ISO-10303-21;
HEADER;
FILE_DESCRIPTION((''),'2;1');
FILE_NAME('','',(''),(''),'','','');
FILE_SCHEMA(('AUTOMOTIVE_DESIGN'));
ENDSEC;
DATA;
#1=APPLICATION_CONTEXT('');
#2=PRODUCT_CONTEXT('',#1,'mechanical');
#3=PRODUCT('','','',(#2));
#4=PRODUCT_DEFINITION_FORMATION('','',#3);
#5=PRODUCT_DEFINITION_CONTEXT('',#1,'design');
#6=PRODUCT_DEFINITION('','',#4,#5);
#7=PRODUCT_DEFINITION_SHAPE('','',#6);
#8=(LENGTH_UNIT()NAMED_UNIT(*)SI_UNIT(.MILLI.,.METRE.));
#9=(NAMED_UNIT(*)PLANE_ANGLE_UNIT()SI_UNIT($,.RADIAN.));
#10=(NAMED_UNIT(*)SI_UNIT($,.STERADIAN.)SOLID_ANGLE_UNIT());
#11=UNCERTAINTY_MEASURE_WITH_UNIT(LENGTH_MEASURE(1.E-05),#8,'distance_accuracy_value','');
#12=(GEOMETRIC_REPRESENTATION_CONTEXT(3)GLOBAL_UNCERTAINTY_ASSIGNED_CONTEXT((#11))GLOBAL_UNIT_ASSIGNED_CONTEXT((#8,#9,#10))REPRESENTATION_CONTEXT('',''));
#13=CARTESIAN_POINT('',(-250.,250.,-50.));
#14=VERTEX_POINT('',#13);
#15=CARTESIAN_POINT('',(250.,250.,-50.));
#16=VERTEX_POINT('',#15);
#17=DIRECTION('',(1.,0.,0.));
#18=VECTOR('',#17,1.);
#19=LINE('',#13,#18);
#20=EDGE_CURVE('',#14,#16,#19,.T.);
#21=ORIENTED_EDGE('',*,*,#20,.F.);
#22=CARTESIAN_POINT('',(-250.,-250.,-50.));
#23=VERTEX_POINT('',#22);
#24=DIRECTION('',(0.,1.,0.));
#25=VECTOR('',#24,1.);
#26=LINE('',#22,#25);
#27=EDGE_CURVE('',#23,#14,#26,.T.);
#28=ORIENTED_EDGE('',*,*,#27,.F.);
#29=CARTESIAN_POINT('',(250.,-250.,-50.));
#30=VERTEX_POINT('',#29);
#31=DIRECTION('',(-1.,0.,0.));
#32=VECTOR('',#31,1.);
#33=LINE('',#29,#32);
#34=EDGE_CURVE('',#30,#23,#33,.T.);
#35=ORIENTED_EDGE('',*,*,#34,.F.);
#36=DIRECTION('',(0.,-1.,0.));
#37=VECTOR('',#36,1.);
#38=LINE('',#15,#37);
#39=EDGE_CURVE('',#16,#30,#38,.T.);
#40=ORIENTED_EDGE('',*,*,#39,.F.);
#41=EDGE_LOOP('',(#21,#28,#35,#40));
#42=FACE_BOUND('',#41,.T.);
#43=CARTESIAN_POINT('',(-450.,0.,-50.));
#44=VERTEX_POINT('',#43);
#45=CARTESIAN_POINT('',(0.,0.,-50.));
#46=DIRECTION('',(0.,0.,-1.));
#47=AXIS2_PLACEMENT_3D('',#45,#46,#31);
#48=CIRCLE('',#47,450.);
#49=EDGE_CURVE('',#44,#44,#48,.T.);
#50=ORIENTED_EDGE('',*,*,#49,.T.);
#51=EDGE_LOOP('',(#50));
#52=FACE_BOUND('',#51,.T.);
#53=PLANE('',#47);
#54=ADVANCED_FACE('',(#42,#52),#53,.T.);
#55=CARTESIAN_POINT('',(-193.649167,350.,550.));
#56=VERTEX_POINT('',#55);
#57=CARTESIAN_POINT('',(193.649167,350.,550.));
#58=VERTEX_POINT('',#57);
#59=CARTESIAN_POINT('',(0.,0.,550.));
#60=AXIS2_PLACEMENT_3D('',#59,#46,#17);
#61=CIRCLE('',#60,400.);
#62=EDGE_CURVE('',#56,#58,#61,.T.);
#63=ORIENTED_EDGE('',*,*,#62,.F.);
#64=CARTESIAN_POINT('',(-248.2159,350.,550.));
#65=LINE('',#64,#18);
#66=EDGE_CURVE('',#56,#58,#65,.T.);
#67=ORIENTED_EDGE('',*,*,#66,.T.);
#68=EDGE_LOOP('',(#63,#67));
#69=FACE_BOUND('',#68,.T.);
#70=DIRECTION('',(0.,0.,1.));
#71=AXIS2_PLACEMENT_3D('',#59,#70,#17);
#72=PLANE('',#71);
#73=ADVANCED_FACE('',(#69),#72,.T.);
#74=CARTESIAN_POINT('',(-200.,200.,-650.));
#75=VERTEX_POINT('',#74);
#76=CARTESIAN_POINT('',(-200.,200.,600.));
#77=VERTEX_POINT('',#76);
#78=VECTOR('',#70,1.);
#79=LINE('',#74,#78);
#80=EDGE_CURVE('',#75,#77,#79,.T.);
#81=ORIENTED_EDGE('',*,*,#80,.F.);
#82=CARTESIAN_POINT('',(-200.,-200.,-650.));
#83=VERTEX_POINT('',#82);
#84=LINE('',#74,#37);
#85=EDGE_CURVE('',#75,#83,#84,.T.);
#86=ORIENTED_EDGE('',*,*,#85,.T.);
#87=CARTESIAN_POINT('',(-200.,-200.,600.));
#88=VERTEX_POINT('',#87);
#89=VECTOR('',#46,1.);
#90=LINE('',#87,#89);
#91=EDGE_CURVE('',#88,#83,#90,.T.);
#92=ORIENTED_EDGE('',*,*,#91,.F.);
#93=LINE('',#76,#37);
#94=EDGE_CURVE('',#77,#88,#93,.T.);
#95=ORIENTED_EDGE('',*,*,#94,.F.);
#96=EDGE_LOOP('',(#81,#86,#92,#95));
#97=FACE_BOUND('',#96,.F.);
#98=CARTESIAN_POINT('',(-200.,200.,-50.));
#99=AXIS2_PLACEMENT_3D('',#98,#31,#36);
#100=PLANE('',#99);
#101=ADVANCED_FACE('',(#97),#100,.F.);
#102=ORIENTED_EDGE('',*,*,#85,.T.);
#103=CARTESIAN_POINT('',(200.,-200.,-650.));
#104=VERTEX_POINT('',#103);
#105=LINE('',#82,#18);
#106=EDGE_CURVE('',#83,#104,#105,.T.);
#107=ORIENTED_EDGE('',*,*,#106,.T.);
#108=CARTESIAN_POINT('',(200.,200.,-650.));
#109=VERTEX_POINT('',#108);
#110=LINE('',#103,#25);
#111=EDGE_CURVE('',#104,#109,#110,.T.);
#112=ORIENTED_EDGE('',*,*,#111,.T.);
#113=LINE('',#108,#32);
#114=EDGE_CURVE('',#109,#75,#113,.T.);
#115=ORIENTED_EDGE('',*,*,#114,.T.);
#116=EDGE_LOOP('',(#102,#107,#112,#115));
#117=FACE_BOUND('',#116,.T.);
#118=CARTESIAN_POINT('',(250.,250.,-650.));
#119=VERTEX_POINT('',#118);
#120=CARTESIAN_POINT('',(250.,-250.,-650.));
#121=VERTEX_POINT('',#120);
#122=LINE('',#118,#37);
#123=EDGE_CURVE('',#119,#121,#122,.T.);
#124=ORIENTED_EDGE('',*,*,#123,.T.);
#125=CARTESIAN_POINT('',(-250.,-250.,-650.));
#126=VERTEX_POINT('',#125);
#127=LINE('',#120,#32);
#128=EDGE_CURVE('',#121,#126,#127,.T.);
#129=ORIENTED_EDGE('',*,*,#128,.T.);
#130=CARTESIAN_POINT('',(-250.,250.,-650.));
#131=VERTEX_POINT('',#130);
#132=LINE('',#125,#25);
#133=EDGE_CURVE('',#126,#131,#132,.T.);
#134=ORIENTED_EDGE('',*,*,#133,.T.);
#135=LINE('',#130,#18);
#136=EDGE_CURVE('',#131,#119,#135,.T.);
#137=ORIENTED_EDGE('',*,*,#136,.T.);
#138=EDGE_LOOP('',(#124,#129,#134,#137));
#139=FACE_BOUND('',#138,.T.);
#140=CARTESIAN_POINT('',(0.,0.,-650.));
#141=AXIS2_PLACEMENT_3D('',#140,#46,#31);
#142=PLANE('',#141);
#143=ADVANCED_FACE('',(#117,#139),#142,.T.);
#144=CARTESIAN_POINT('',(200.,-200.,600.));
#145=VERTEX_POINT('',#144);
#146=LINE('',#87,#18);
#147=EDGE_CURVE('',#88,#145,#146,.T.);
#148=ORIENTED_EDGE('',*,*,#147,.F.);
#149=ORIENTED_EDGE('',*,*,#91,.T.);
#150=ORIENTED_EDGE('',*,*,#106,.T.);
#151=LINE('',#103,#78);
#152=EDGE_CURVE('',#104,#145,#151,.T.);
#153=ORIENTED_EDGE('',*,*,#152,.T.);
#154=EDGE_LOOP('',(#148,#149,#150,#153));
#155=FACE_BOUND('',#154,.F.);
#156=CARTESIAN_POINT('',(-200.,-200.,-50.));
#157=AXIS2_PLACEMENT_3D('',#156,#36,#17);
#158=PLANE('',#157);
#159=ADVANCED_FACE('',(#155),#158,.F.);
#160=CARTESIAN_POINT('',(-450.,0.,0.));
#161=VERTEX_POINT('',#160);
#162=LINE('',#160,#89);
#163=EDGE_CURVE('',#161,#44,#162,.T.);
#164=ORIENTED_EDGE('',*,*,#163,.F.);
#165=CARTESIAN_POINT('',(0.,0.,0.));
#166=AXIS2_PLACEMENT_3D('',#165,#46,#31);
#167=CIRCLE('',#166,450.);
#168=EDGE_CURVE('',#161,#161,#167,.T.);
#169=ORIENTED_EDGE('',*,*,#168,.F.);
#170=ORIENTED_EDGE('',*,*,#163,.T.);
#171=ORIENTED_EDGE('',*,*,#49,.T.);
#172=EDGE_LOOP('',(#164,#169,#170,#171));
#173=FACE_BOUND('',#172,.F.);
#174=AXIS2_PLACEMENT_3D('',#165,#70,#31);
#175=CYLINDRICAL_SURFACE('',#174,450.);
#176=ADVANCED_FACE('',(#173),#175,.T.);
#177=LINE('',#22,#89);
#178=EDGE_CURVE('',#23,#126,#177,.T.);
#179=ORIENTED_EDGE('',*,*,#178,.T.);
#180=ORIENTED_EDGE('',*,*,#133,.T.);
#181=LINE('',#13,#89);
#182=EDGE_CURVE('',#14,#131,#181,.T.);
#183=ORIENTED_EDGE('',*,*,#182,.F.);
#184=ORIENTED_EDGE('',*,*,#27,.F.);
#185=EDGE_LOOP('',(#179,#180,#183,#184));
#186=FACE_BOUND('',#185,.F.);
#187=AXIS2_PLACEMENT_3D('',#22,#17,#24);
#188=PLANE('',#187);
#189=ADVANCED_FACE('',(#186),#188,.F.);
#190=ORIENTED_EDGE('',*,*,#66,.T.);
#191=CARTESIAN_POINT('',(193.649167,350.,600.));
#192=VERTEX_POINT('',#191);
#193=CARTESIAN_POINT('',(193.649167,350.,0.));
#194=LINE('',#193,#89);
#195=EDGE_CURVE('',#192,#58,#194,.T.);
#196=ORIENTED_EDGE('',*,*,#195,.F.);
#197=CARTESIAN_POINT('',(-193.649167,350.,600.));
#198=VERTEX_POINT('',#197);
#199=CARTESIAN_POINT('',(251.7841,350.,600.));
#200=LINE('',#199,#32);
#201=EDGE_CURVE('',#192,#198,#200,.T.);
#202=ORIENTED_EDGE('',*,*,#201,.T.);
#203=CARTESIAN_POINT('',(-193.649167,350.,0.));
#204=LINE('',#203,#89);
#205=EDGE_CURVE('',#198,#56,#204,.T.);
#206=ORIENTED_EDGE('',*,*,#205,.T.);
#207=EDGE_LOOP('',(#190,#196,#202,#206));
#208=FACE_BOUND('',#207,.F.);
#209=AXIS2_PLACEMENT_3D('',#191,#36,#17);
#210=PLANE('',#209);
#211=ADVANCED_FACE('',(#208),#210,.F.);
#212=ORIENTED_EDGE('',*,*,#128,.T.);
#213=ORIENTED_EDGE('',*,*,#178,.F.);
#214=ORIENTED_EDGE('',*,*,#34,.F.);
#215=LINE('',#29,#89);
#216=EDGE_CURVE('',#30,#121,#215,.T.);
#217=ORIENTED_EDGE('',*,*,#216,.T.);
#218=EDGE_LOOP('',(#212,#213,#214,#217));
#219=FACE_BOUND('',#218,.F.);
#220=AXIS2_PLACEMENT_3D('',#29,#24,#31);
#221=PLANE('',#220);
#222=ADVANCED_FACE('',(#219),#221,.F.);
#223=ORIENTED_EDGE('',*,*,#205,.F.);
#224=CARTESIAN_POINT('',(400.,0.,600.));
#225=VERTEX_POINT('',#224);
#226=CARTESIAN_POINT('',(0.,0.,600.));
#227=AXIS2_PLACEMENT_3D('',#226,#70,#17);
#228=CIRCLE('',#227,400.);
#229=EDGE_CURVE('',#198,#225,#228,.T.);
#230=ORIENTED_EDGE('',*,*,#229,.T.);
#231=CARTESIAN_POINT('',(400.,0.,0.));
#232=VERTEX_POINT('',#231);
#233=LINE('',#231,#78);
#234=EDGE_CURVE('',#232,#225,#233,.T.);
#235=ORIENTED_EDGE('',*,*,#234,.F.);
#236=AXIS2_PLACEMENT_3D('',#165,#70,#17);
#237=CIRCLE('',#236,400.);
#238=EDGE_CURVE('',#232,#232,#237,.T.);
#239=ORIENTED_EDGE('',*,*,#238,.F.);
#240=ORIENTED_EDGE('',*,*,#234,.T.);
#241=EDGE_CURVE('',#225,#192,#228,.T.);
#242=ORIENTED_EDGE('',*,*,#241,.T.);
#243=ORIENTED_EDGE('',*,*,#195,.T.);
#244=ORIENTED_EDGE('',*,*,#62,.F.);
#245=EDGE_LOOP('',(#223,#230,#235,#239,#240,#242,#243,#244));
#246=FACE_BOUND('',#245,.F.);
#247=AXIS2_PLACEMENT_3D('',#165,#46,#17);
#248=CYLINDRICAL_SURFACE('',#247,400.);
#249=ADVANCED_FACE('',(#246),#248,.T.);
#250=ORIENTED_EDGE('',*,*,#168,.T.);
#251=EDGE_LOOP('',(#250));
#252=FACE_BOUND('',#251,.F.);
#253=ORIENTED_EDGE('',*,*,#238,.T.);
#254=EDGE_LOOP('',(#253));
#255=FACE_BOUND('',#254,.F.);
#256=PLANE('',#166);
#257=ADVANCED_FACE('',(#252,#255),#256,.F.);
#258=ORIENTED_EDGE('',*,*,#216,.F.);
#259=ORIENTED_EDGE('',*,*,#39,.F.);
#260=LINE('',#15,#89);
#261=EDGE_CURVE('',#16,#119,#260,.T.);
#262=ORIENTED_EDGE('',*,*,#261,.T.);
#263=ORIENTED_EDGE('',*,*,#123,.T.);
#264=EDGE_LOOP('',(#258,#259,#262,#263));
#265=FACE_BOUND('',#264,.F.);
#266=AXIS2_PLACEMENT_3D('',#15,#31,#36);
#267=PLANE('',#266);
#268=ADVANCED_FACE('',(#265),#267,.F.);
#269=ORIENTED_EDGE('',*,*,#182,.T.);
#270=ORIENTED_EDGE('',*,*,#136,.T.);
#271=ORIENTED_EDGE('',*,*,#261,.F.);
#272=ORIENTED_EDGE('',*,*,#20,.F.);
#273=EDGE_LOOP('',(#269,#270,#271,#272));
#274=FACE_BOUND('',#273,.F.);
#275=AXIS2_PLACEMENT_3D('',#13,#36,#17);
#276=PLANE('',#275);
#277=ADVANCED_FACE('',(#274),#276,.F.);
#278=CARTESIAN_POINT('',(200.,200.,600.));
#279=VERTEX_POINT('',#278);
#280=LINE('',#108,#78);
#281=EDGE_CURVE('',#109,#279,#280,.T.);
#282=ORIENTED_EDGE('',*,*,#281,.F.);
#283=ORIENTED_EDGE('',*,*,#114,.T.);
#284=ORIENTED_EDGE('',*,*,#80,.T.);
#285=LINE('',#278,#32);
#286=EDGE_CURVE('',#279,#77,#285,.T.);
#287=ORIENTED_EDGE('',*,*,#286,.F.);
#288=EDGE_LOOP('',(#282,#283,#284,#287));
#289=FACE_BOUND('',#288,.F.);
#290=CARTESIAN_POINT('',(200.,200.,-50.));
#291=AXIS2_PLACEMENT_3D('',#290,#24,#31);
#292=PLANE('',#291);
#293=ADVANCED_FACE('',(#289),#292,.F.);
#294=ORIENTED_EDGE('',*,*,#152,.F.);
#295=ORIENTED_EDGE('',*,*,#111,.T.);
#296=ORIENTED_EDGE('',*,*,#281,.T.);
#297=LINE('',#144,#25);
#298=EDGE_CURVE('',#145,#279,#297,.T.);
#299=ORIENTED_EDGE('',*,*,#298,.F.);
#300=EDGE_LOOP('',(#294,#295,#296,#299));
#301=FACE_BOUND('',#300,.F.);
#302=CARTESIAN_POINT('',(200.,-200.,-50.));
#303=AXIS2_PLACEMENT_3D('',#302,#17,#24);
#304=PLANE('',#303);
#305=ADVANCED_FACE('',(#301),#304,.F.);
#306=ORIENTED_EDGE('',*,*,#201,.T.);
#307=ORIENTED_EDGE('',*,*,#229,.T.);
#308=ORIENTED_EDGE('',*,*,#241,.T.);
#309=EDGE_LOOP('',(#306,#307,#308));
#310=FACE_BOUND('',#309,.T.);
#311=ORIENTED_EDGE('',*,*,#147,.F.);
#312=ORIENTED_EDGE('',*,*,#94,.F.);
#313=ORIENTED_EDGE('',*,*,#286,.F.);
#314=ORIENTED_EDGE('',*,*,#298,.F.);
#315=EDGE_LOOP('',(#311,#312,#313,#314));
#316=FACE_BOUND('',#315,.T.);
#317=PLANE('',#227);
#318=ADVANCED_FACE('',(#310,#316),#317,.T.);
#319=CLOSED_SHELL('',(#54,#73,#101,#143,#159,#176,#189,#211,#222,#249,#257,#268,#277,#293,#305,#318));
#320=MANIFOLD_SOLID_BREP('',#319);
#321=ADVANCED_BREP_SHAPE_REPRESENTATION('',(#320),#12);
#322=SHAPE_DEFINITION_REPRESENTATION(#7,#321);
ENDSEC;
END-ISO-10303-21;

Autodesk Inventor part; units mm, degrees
ref_plane "YZ Plane" through (0, 0, 0) normal (1, 0, 0) x (0, 1, 0)
ref_plane "XZ Plane" through (0, 0, 0) normal (0, 1, 0) x (-1, 0, 0)
ref_plane "XY Plane" through (0, 0, 0) normal (0, 0, 1) x (1, 0, 0)
sketch "Náčrt1" plane through (0, 0, 0) normal (0, 0, 1) x (1, 0, 0)
  line L0 (-200, -200) -> (200, -200)
  line L1 (200, -200) -> (200, 200)
  line L2 (200, 200) -> (-200, 200)
  line L3 (-200, 200) -> (-200, -200)
  line L4 (-200, -200) -> (200, 200) construction
  line L5 (200, -200) -> (-200, 200) construction
  circle A0 centre (0, 0) radius 400
  dimension "d6" = 800
  dimension "d7" = 400
extrude "Vysunutí1" add sketch "Náčrt1" along normal blind 600
sketch "Náčrt2" plane through (0, 0, 0) normal (0, 0, -1) x (-1, 0, 0)
  line L0 (200, 200) -> (200, -200) projected
  line L1 (200, -200) -> (-200, -200) projected
  line L2 (-200, -200) -> (-200, 200) projected
  line L3 (-200, 200) -> (200, 200) projected
  circle A0 centre (0, 0) radius 400 projected
  circle A1 centre (0, 0) radius 450
  dimension "d8" = 900
extrude "Vysunutí2" add sketch "Náčrt2" along normal blind 50 contours A0 | A1
sketch "Náčrt3" plane through (0, 0, 600) normal (0, 0, 1) x (1, 0, 0)
  line L0 (251.7841, 450) -> (-248.2159, 450)
  line L1 (-248.2159, 450) -> (-248.2159, 350)
  line L2 (-248.2159, 350) -> (251.7841, 350)
  line L3 (251.7841, 350) -> (251.7841, 450)
  circle A0 centre (0, 0) radius 400 projected
  dimension "d11" = 350
  dimension "d12" = 100
  dimension "d13" = 500
extrude "Vysunutí3" cut sketch "Náčrt3" against normal blind 50 contours L3 L2 A0 L1 L0 | L2 A0 picked at (-56.548, 354.0814)
sketch "Náčrt4" plane through (0, 0, -50) normal (0, 0, -1) x (-1, 0, 0)
  line L0 (200, -200) -> (-200, -200) projected
  line L1 (200, 200) -> (200, -200) projected
  line L2 (-200, 200) -> (200, 200) projected
  line L3 (-200, -200) -> (-200, 200) projected
  line L4 (-250, -250) -> (250, -250)
  line L5 (250, -250) -> (250, 250)
  line L6 (250, 250) -> (-250, 250)
  line L7 (-250, 250) -> (-250, -250)
  point P0 (0, 0)
  dimension "d16" = 50
extrude "Vysunutí4" add sketch "Náčrt4" along normal blind 600
properties part number "B3-C"
